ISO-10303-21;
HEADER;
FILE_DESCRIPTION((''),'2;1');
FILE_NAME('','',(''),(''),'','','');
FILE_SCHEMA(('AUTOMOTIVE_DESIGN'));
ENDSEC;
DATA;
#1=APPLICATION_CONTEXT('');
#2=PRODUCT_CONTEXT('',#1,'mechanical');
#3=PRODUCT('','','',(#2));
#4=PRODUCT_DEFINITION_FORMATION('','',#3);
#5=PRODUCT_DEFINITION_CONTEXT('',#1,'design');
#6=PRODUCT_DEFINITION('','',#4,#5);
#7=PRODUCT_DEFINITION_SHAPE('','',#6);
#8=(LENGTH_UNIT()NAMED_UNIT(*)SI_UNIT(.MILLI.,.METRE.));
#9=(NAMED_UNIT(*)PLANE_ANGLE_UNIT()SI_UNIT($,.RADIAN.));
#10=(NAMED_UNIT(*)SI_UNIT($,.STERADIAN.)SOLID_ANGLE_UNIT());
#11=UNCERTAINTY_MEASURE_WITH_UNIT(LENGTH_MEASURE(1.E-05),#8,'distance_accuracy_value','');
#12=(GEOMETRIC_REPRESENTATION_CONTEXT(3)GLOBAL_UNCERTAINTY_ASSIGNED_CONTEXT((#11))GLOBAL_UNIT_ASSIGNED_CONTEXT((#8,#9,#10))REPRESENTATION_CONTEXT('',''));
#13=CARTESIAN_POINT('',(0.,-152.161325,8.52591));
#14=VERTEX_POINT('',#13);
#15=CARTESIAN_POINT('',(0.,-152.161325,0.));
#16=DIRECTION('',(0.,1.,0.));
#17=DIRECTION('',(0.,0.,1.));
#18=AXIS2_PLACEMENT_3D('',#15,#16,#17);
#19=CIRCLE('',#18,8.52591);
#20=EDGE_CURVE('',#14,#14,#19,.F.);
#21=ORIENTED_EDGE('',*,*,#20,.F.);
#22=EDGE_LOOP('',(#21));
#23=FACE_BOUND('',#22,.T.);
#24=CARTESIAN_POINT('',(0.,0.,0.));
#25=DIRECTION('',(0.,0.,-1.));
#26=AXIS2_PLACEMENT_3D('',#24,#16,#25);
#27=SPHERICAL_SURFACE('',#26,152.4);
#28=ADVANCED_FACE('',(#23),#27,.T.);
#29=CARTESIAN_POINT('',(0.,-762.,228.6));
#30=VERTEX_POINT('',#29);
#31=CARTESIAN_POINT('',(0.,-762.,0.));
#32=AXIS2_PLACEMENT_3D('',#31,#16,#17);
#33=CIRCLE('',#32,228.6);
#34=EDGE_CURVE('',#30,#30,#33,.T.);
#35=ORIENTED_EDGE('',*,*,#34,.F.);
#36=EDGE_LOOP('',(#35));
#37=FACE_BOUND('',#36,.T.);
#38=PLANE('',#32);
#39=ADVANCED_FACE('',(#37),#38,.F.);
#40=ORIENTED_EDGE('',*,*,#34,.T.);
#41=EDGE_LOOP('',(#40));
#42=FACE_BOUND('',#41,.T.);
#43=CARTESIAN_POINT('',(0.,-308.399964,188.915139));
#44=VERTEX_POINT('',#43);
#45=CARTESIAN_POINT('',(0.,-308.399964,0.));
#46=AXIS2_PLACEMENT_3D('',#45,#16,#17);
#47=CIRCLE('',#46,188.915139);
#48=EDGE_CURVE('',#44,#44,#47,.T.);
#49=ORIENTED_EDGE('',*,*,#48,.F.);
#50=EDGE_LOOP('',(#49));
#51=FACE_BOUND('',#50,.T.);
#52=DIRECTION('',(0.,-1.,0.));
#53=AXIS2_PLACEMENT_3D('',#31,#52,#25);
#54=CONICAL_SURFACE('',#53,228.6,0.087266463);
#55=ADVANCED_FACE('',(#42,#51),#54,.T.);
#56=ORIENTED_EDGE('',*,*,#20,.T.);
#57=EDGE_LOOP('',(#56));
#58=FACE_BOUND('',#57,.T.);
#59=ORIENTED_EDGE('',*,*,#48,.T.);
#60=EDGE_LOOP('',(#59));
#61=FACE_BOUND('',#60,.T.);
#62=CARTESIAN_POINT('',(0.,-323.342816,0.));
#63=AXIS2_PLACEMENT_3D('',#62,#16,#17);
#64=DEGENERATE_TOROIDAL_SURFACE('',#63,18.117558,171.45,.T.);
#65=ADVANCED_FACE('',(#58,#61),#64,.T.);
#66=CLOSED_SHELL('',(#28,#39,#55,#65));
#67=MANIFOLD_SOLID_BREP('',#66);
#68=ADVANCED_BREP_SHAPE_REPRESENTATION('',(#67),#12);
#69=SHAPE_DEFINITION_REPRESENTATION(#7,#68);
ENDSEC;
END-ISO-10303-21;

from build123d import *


with BuildPart() as part:
    # Sketch1 → Revolve1 (revolve)
    with BuildSketch(Plane(origin=(0, 0, 0), x_dir=(0, 0, -1), z_dir=(1, 0, 0))):
        with BuildLine():
            Line((0, 152.4), (0, -152.4))
            ThreePointArc((0, -152.4), (152.4, 0), (0, 152.4))
        make_face()
    revolve(axis=Axis((0, 152.4, 0), (0, -1, 0)))

    # Sketch2 → Revolve2 (revolve)
    with BuildSketch(Plane(origin=(0, 0, 0), x_dir=(0, 0, -1), z_dir=(1, 0, 0)), mode=Mode.PRIVATE) as revolve2_sk:
        with BuildLine():
            Line((0, -152.4), (0, -762))
            Line((0, -762), (228.6, -762))
            Line((228.6, -762), (188.915139057, -308.399963799))
            ThreePointArc((188.915139057, -308.399963799), (130.364902046, -193.744836471), (8.52590968, -152.161325126))
            ThreePointArc((8.52590968, -152.161325126), (4.264624883, -152.340319596), (0, -152.4))
        make_face()
    revolve(revolve2_sk.sketch.rotate(Axis((0, -152.4, 0), (0, -1, 0)), 180), axis=Axis((0, -152.4, 0), (0, -1, 0)))


solid = part.part
